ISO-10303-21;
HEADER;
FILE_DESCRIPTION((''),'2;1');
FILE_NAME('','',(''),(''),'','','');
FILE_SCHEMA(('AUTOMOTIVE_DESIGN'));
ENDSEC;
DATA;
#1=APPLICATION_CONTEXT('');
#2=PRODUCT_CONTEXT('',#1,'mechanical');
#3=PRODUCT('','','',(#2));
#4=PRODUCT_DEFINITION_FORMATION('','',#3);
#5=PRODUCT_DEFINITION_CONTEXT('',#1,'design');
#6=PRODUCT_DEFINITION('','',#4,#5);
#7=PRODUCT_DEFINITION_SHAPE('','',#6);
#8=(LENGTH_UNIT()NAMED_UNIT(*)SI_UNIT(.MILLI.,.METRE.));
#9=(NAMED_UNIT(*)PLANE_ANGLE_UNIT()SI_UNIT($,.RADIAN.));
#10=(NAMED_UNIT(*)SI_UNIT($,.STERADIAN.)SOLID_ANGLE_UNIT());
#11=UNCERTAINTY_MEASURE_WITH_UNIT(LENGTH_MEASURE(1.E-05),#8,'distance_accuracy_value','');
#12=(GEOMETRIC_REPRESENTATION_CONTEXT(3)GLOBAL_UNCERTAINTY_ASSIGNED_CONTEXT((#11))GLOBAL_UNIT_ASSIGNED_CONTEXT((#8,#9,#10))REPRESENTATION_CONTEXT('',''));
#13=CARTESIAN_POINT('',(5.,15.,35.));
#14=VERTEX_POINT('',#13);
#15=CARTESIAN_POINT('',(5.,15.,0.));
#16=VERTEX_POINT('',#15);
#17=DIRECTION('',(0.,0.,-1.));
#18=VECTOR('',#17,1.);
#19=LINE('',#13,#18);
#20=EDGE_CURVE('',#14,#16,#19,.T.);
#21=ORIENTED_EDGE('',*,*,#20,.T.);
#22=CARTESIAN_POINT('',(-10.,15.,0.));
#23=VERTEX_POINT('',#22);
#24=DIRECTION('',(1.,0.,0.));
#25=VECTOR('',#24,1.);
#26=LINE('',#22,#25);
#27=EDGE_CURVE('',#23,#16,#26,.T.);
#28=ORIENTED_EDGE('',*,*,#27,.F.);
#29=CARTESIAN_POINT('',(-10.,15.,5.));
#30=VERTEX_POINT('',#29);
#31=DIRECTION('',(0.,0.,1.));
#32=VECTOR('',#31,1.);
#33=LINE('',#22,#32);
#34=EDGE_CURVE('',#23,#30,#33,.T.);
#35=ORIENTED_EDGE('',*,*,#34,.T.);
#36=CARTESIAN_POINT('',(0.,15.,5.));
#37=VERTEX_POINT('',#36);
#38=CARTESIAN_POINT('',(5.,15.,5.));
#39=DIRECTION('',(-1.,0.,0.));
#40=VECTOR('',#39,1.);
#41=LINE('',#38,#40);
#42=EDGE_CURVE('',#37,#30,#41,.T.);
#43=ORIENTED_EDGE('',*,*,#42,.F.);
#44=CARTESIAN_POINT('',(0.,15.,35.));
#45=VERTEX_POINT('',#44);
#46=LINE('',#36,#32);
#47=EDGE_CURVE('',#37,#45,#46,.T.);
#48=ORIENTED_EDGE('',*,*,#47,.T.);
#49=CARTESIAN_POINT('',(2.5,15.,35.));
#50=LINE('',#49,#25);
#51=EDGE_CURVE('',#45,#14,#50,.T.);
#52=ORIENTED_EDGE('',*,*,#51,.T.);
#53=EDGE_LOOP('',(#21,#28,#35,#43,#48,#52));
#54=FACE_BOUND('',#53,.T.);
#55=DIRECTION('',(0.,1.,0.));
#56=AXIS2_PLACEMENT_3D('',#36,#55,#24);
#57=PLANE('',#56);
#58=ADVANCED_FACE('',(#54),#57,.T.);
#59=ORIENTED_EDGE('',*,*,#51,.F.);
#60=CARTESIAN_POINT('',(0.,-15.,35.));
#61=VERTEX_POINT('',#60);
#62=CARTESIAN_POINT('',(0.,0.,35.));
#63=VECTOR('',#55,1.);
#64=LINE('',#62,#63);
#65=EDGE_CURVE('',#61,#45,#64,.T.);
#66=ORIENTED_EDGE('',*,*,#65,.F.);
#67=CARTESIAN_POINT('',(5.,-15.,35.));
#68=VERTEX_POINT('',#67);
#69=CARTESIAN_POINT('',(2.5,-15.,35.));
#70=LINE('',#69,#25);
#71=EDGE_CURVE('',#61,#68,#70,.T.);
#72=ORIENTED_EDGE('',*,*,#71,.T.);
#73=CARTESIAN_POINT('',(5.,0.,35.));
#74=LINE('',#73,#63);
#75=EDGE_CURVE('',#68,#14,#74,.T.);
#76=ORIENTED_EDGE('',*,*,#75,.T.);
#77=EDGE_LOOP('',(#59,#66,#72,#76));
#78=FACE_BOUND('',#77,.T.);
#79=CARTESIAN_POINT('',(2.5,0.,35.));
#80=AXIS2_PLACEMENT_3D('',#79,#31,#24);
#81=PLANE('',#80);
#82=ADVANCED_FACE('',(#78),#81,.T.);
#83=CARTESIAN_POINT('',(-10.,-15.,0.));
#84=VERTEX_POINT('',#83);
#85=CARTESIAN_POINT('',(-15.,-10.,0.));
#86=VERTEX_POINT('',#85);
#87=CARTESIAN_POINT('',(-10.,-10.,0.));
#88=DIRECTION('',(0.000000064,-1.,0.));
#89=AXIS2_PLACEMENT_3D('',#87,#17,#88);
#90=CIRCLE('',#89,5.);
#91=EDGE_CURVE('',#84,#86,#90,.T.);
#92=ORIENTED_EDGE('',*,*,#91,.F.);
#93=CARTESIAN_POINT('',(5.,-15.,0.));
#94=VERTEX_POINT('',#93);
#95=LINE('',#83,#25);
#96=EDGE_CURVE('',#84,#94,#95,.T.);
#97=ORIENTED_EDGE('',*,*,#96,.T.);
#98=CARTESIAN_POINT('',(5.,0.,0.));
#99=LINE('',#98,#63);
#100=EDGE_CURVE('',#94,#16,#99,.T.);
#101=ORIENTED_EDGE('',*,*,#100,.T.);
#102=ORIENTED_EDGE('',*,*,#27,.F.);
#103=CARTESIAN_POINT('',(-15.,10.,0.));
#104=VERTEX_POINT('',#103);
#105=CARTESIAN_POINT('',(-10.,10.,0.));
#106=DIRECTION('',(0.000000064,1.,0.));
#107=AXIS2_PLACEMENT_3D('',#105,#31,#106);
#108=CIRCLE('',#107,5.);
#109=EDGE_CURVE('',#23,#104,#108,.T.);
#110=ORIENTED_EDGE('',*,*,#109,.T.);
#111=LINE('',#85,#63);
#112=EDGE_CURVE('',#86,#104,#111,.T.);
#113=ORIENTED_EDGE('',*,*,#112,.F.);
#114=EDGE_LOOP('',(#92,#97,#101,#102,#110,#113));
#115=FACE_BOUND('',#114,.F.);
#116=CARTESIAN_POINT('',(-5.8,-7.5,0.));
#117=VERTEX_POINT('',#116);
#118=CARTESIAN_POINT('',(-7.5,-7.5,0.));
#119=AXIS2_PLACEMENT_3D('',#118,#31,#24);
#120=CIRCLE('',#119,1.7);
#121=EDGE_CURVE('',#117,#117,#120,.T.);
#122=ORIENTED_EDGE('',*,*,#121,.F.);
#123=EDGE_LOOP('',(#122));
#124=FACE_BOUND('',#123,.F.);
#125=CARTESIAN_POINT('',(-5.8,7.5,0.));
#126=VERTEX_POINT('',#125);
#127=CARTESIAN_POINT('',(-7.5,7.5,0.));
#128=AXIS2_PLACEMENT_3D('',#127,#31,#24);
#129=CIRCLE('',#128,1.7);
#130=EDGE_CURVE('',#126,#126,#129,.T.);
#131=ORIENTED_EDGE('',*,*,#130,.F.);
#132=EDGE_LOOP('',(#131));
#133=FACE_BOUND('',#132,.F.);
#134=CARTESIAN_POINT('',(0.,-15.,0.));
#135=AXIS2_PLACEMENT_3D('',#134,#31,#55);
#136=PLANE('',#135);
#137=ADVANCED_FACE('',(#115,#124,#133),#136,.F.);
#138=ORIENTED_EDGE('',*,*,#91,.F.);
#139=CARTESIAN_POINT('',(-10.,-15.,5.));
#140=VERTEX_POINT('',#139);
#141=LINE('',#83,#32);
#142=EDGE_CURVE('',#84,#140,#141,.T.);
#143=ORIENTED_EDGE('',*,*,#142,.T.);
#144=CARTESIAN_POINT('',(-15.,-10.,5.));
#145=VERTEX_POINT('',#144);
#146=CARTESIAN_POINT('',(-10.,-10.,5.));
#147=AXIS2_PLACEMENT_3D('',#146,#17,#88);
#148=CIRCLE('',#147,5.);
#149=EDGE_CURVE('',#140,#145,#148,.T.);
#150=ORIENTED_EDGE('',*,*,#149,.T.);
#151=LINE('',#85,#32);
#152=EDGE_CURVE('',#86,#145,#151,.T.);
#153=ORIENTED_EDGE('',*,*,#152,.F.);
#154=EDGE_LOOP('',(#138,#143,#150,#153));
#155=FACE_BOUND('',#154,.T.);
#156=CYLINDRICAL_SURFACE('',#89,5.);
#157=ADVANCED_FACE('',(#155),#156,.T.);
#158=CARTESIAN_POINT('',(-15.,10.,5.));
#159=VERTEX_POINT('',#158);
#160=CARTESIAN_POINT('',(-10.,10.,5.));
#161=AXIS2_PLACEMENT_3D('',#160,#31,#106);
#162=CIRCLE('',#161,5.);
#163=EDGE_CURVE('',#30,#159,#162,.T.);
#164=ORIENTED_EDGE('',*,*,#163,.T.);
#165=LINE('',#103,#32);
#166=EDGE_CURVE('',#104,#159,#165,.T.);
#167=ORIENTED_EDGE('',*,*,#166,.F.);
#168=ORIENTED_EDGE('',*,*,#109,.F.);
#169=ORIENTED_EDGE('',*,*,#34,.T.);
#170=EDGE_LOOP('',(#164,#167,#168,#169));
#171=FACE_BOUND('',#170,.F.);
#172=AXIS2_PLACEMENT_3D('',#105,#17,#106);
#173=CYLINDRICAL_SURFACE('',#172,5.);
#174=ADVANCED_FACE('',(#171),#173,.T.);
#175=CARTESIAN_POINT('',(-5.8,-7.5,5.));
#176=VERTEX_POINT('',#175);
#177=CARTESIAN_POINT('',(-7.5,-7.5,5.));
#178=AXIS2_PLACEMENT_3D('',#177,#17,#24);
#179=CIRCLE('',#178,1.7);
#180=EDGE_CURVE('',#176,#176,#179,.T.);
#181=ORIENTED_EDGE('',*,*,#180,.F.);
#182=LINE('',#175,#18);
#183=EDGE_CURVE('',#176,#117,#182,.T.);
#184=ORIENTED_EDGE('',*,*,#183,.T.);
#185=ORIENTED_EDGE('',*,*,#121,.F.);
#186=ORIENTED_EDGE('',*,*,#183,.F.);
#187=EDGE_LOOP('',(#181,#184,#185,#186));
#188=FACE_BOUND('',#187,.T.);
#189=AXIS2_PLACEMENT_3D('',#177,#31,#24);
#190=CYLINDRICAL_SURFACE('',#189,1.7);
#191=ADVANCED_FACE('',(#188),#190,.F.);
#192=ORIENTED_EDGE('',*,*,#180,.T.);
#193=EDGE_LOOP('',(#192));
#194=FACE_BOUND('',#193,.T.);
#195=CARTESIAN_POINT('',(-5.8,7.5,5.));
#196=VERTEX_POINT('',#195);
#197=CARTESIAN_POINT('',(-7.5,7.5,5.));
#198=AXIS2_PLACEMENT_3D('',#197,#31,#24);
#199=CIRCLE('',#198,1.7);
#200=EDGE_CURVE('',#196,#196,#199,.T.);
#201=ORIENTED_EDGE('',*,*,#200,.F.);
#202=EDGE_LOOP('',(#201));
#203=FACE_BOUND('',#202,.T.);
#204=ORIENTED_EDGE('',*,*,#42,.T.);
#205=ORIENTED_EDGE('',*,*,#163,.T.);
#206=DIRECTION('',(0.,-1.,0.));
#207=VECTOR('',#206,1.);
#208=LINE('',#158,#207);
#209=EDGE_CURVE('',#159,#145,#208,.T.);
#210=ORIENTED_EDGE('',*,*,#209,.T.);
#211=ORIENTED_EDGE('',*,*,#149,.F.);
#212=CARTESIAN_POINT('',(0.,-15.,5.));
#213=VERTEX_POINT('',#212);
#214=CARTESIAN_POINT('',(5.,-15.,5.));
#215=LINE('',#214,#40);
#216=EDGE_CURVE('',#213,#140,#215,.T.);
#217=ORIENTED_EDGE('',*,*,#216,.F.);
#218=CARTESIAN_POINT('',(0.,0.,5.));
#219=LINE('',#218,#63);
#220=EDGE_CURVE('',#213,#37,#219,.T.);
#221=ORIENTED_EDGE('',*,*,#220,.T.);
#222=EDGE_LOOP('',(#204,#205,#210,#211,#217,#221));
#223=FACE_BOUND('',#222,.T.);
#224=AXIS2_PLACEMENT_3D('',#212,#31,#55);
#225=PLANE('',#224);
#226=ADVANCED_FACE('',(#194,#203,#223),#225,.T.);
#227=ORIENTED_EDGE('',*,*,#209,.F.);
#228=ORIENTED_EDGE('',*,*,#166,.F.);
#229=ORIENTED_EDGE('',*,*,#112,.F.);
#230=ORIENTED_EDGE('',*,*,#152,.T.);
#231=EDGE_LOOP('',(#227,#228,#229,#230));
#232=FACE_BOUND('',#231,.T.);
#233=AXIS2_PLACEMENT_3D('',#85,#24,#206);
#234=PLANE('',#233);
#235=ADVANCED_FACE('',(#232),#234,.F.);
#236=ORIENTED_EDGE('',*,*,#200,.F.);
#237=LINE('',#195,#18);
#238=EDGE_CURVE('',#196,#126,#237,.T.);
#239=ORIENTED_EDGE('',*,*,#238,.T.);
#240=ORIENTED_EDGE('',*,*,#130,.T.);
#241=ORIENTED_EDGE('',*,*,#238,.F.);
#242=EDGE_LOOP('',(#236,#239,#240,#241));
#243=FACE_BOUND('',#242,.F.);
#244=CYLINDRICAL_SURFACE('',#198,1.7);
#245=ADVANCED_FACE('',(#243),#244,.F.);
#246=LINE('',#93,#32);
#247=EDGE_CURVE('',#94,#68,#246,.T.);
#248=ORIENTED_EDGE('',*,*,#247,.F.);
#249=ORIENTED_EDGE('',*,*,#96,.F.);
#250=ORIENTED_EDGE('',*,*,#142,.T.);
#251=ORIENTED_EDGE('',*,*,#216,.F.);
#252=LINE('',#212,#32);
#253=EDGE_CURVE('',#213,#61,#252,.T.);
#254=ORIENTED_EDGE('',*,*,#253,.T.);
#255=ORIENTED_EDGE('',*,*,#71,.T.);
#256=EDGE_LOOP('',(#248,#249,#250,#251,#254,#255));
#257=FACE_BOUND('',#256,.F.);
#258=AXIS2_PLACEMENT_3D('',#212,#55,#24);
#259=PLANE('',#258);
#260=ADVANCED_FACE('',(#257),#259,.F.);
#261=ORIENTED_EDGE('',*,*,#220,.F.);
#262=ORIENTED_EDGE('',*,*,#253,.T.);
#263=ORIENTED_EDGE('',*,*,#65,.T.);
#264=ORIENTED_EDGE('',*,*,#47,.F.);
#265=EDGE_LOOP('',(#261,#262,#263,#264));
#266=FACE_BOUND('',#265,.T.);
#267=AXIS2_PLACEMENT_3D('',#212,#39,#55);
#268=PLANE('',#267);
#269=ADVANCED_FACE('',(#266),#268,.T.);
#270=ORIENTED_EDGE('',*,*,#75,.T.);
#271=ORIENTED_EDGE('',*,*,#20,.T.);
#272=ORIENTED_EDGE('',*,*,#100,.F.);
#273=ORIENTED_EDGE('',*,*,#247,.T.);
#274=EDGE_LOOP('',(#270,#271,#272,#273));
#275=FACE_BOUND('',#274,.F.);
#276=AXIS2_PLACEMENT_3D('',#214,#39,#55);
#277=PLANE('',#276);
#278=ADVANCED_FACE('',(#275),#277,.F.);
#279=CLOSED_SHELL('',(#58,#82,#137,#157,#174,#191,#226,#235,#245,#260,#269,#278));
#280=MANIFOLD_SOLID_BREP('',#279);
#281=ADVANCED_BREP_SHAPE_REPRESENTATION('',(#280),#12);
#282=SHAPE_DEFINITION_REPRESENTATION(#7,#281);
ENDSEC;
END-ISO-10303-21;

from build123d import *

# Parameters (mm, degrees)
PAD_DEPTH    = 5
SKETCH001_R  = 1.7
HOLE_DEPTH   = 72.8243
SKETCH002_W  = 30
SKETCH002_H  = 5
PAD001_DEPTH = 5
SKETCH003_W  = 5
SKETCH003_H  = 30
PAD002_DEPTH = 30


with BuildPart() as part:
    # Sketch → Pad (new body)
    with BuildSketch(Plane.XY):
        with BuildLine():
            Line((-15, 0), (0, 0))
            Line((0, 0), (0, 15))
            Line((0, 15), (-10, 15))
            ThreePointArc((-10, 15), (-13.535534, 13.535534), (-15, 10))
            Line((-15, 10), (-15, 0))
        make_face()
    pad = extrude(amount=PAD_DEPTH)

    # Mirrored: Pad across XZ
    add(pad.mirror(Plane.XZ))

    # Sketch001 (on Face5 of Mirrored) → Hole (cut, through all)
    with BuildSketch(Plane.XY.offset(5)):
        with Locations((-7.5, 7.5)):
            Circle(SKETCH001_R)
    hole = extrude(amount=-HOLE_DEPTH, mode=Mode.SUBTRACT)

    # Mirrored001: Hole across XZ
    add(hole.mirror(Plane.XZ), mode=Mode.SUBTRACT)

    # Sketch002 (on Face2 of Mirrored001) → Pad001 (join)
    with BuildSketch(Plane.YZ):
        with Locations((0, 2.5)):
            Rectangle(SKETCH002_W, SKETCH002_H)
    extrude(amount=PAD001_DEPTH)

    # Sketch003 (on Face12 of Pad001) → Pad002 (join)
    with BuildSketch(Plane.XY.offset(5)):
        with Locations((2.5, 0)):
            Rectangle(SKETCH003_W, SKETCH003_H)
    extrude(amount=PAD002_DEPTH)


solid = part.part
